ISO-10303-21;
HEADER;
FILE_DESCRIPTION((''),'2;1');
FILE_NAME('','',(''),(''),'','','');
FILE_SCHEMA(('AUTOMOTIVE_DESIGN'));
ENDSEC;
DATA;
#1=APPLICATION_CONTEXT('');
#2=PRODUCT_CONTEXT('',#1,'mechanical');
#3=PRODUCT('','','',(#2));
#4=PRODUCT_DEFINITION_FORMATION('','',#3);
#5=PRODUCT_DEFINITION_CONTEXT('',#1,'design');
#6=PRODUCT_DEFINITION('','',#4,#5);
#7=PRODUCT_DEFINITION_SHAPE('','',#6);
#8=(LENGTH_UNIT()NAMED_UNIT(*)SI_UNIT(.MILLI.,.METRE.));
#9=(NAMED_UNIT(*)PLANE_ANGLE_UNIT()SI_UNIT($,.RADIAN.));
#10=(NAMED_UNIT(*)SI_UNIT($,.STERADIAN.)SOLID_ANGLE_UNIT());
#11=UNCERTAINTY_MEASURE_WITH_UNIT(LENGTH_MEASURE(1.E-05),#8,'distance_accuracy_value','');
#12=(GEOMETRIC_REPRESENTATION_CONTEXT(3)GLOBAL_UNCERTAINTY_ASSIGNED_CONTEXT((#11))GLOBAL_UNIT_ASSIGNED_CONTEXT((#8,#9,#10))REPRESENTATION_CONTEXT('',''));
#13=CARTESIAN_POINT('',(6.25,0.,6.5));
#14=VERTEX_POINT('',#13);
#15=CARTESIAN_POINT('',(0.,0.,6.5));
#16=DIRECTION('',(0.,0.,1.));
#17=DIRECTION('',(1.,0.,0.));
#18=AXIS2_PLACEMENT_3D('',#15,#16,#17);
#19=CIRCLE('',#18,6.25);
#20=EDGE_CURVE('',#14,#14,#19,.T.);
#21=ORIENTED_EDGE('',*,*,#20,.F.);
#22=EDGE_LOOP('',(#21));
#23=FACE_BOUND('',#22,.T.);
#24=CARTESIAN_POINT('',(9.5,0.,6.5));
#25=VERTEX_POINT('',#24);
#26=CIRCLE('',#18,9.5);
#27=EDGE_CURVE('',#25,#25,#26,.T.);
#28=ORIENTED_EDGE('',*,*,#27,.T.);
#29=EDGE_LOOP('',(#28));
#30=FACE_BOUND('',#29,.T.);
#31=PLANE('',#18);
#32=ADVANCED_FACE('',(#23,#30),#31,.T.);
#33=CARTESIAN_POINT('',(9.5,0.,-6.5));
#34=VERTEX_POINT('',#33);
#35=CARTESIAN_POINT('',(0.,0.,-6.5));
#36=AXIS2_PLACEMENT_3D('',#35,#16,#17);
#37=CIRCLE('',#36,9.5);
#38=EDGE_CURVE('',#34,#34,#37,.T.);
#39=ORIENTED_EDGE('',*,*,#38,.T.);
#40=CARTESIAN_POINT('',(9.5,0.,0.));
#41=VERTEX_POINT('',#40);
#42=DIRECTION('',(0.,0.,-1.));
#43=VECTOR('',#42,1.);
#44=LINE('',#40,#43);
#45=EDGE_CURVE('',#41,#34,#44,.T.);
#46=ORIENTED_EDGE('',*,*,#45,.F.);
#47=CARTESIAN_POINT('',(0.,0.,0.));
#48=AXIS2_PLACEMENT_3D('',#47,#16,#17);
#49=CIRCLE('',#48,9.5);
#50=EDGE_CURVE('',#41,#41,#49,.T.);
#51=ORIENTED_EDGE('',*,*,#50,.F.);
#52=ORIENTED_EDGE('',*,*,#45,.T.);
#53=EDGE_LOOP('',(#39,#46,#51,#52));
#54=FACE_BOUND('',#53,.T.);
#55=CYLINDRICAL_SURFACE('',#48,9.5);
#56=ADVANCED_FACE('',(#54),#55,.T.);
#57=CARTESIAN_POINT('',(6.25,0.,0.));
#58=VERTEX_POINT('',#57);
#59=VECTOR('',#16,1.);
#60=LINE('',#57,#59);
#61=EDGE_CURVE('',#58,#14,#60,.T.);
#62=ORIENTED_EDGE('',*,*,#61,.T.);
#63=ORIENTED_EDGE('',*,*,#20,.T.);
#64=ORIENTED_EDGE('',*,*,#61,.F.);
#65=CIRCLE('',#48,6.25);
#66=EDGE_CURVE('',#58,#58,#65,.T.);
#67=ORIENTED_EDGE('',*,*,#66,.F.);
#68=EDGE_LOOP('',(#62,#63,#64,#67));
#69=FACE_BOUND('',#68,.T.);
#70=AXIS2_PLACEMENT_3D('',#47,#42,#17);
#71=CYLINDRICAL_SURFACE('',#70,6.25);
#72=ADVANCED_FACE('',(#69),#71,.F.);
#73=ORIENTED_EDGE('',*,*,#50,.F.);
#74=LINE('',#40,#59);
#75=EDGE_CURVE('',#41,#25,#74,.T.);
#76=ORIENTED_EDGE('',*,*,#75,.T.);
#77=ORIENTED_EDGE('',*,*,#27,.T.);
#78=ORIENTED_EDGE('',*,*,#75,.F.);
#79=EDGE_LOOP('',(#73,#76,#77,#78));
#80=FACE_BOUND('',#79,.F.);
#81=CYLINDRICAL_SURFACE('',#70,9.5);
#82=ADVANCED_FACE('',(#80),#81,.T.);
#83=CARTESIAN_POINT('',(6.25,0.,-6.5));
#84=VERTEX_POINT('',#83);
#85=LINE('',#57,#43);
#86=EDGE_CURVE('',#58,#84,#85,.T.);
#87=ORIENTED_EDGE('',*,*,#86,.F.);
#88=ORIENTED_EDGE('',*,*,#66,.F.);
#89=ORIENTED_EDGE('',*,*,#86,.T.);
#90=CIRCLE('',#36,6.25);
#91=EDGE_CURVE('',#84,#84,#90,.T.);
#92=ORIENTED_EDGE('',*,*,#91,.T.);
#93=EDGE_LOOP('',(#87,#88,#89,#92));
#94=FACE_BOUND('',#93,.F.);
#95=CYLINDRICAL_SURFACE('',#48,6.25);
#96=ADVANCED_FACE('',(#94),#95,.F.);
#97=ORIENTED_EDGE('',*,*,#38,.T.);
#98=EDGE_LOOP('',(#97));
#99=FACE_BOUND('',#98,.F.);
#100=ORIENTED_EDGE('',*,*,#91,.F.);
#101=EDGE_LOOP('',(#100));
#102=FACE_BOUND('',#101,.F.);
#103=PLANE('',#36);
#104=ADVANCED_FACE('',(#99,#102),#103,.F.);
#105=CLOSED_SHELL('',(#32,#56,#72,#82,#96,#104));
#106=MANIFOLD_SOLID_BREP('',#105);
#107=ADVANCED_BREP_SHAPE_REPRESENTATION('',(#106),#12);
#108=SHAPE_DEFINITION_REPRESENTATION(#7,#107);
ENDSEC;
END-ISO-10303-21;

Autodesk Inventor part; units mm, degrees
ref_plane "YZ Plane" through (0, 0, 0) normal (1, 0, 0) x (0, 1, 0)
ref_plane "XZ Plane" through (0, 0, 0) normal (0, 1, 0) x (-1, 0, 0)
ref_plane "XY Plane" through (0, 0, 0) normal (0, 0, 1) x (1, 0, 0)
sketch "Sketch1" plane through (0, 0, 0) normal (0, 0, 1) x (1, 0, 0)
  circle A0 centre (0, 0) radius 9.5
  circle A1 centre (0, 0) radius 6.25
  dimension "d0" = 19
  dimension "d1" = 12.5
extrude "Extrusion1" add sketch "Sketch1" along normal mid plane 13
properties material "Steel"
